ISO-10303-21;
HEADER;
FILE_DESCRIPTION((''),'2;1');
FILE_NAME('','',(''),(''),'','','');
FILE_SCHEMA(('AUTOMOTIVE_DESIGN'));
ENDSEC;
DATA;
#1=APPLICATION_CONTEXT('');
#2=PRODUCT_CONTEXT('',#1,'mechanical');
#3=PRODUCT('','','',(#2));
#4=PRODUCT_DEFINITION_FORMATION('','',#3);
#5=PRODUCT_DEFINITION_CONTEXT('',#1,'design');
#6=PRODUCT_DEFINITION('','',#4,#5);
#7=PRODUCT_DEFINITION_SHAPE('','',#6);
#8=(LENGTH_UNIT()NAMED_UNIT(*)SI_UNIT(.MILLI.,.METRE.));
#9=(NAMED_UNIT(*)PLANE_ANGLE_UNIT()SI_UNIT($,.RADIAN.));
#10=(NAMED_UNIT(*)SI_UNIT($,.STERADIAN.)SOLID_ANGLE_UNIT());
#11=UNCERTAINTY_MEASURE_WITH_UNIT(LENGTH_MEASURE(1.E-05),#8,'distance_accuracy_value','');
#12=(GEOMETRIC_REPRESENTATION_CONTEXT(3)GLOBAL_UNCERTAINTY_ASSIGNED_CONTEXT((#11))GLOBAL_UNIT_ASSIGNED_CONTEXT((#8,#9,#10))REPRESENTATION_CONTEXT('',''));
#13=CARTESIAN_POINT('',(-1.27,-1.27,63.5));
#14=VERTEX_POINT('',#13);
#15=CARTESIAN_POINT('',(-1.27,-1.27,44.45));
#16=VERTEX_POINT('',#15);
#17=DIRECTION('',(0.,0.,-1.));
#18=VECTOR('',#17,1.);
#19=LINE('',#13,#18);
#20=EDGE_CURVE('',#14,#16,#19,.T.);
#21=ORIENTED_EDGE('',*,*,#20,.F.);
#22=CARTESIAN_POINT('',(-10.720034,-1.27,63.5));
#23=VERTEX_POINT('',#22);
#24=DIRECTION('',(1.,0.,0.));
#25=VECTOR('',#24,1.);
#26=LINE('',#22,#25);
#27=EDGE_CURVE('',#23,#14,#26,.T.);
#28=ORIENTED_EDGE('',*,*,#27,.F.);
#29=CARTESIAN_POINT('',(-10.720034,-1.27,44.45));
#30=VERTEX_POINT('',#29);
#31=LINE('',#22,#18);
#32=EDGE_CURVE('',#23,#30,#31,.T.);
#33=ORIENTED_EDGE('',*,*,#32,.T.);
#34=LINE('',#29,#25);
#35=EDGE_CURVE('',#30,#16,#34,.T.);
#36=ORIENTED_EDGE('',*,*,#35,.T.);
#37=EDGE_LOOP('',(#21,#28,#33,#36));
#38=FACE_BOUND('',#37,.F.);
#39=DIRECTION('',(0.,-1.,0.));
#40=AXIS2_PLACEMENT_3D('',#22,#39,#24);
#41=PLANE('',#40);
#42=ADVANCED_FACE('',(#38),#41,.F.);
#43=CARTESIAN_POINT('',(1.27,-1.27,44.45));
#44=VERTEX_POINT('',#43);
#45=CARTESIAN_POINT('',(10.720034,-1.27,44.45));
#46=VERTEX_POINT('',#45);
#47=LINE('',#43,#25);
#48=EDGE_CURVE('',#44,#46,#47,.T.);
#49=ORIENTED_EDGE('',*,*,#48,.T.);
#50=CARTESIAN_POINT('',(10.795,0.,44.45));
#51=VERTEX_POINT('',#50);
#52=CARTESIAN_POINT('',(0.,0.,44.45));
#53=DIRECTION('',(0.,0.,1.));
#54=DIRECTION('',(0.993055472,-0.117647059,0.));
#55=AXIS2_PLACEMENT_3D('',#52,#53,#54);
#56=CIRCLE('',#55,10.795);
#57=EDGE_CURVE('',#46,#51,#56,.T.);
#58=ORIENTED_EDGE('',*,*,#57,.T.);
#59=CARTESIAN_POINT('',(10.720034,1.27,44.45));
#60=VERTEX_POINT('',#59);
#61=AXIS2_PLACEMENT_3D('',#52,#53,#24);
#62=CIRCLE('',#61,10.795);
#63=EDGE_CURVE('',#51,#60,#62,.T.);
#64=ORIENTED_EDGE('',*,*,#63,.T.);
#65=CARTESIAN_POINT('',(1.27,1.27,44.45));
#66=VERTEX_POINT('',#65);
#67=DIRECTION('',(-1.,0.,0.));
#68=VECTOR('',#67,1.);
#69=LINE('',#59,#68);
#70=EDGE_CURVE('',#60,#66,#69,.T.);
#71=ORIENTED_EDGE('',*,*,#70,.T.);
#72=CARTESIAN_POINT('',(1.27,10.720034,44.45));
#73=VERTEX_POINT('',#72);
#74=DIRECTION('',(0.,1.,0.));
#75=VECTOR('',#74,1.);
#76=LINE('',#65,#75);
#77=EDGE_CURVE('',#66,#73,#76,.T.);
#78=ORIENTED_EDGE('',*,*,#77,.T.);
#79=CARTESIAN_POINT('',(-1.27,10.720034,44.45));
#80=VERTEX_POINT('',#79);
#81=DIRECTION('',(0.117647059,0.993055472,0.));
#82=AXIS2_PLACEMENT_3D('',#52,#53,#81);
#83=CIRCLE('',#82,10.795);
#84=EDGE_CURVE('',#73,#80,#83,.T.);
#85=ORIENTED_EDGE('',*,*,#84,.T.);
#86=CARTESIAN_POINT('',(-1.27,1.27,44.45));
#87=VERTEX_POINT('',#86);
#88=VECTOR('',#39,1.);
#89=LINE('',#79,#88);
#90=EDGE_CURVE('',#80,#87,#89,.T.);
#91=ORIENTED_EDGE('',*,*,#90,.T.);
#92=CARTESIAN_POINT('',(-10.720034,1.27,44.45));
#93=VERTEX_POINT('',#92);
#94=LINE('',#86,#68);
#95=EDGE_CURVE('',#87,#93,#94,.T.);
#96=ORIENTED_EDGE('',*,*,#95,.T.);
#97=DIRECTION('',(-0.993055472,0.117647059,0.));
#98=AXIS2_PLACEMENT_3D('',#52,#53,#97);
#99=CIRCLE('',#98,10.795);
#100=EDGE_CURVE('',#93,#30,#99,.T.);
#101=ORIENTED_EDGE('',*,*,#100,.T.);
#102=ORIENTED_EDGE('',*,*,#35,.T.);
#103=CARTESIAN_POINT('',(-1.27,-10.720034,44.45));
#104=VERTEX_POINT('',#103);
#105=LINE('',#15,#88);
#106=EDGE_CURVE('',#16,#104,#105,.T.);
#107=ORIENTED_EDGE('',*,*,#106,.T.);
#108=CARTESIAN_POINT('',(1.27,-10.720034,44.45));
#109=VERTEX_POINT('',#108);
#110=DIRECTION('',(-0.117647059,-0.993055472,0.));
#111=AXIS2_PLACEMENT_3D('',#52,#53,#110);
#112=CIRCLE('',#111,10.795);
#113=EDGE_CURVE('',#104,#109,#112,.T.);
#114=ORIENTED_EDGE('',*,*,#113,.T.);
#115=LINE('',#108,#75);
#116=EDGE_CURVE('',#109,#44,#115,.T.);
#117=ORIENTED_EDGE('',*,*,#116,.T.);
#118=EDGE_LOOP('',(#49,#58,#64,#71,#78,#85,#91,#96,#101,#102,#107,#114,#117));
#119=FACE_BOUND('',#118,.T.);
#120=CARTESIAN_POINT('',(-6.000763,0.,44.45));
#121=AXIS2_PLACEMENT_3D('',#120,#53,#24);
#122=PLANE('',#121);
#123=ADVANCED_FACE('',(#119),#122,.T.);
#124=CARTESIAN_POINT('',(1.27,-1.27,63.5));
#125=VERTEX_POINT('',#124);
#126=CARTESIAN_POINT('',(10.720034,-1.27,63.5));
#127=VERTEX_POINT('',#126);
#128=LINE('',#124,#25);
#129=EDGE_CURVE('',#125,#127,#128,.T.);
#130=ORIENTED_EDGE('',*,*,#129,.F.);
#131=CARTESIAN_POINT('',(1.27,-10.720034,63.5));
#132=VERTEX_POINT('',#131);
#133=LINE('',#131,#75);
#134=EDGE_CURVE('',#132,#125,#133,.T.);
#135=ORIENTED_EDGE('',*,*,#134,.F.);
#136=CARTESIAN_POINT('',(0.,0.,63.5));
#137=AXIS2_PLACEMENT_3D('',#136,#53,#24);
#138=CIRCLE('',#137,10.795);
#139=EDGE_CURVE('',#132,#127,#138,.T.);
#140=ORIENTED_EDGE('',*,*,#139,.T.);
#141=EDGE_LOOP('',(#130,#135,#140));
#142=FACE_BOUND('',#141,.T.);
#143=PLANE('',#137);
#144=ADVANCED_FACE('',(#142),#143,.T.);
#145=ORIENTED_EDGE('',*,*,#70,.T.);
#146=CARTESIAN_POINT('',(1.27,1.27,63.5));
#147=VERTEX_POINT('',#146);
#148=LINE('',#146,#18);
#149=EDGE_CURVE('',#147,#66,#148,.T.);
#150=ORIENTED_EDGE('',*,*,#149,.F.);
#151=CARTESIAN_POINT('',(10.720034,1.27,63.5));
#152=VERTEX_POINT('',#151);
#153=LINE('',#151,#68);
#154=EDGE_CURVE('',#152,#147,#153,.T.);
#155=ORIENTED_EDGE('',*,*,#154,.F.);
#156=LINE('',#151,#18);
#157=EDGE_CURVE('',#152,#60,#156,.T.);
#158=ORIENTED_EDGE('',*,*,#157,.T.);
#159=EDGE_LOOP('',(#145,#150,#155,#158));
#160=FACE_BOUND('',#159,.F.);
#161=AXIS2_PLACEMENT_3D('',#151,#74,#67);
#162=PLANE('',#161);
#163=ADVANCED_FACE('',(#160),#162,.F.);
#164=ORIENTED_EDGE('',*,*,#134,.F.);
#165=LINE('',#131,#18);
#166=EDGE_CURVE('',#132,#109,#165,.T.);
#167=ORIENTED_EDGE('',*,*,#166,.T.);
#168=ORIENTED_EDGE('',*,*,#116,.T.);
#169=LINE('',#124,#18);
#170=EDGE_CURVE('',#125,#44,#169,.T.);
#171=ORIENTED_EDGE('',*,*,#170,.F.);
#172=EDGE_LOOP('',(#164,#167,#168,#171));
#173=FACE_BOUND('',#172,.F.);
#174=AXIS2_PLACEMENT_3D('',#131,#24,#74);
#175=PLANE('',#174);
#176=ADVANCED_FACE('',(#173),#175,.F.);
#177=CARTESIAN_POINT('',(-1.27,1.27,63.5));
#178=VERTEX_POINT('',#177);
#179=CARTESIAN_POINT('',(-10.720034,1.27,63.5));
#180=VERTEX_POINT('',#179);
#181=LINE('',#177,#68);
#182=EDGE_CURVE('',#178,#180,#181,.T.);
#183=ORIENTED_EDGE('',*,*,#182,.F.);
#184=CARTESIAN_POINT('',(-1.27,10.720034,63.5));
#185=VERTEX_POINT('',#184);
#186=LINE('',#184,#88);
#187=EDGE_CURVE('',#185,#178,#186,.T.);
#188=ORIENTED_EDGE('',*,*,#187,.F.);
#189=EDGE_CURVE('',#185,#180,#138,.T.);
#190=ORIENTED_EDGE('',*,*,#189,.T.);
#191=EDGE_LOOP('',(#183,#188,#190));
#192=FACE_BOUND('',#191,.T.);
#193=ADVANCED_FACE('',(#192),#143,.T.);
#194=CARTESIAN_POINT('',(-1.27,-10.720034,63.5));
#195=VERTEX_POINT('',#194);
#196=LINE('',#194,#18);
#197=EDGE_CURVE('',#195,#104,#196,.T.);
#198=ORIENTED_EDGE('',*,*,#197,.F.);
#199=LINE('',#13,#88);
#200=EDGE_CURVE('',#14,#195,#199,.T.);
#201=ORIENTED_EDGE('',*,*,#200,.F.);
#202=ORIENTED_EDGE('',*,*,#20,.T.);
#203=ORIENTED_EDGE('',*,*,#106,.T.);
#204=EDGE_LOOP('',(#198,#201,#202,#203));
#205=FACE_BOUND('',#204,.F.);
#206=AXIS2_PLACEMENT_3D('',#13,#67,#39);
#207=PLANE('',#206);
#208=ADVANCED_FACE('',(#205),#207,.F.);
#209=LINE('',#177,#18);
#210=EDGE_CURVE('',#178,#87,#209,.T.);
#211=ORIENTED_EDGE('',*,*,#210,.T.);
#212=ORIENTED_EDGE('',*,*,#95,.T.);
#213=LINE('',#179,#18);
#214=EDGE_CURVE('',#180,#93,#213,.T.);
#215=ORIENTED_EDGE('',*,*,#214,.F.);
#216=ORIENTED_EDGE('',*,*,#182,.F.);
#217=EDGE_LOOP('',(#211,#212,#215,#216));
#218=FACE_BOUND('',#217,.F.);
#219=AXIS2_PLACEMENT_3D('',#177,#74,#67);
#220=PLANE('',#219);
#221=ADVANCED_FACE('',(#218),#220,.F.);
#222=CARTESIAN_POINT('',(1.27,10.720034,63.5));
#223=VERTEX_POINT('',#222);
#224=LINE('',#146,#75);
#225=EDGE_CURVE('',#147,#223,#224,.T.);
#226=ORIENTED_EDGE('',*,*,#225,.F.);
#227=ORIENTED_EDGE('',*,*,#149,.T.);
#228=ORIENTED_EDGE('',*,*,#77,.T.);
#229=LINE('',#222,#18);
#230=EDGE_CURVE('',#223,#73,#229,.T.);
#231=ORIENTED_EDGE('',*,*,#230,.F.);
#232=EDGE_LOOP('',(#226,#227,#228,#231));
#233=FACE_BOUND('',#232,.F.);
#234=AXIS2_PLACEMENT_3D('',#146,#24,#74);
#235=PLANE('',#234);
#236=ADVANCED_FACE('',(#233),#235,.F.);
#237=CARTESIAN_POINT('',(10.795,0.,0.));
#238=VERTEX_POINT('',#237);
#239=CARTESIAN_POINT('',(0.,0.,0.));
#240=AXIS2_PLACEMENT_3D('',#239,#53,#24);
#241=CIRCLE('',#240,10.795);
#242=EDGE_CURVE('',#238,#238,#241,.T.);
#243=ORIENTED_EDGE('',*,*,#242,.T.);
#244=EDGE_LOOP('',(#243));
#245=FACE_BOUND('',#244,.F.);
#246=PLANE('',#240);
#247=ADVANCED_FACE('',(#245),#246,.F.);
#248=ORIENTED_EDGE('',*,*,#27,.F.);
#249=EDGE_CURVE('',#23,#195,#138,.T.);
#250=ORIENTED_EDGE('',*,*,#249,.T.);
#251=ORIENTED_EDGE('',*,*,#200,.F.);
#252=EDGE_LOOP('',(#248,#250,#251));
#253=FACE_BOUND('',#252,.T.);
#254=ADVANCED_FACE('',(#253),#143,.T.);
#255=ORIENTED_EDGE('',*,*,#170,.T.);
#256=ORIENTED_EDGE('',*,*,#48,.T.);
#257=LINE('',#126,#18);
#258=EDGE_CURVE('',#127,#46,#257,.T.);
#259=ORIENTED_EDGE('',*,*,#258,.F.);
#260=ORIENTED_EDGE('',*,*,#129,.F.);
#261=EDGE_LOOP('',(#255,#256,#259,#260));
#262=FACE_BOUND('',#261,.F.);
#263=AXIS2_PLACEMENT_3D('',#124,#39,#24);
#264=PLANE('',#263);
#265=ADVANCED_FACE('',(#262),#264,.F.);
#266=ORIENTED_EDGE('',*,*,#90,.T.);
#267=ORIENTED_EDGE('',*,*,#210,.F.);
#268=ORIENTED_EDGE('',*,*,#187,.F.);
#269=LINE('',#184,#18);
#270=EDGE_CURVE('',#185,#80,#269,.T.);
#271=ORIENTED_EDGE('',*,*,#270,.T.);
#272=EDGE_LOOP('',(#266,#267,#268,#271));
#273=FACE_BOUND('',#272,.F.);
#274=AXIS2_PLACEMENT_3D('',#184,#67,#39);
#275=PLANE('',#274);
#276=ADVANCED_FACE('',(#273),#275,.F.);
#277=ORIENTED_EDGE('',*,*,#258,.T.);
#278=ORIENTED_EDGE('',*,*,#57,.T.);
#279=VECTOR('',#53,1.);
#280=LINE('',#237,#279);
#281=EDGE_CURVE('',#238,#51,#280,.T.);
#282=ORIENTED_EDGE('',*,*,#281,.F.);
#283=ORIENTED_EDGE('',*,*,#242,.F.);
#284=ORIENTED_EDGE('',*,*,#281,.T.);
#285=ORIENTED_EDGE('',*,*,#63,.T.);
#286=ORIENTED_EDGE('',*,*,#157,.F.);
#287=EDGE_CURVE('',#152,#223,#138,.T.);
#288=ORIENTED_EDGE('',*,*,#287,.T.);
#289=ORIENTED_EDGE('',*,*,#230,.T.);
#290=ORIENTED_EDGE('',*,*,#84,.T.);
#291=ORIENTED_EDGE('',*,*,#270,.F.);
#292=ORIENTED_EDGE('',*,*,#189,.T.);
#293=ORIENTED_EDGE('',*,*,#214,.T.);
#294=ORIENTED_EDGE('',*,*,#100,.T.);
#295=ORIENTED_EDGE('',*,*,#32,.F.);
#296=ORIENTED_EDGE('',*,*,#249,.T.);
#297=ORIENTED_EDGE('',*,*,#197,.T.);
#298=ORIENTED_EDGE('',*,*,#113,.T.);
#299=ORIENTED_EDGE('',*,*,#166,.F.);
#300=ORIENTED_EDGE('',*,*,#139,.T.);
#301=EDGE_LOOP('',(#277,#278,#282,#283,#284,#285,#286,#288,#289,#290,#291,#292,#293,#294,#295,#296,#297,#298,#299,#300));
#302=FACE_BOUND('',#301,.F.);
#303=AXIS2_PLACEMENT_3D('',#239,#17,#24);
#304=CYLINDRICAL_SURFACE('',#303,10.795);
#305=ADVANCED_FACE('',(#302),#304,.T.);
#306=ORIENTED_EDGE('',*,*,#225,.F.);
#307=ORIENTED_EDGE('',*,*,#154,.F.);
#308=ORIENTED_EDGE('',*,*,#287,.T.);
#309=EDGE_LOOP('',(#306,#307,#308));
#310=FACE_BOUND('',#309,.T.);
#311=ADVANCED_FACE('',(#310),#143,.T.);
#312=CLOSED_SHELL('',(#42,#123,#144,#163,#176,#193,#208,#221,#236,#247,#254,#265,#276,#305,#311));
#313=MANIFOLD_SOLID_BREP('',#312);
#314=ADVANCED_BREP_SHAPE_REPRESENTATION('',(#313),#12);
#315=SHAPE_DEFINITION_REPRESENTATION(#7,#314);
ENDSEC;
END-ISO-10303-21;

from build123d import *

# Parameters (mm, degrees)
F0_R     = 10.795
F1_DEPTH = 63.5
F2_W     = 2.54
F2_H     = 2.54
F3_DEPTH = 19.05


with BuildPart() as f1:
    # F0 (on Top) → F1 (new body)
    with BuildSketch(Plane.XY):
        Circle(F0_R)
    extrude(amount=F1_DEPTH)

    # F2 (on face) → F3 (cut)
    with BuildSketch(Plane.XY.offset(63.5)):
        with BuildLine():
            Line((-1.27, -1.27), (-1.27, 1.27))
            Line((-1.27, 1.27), (-10.7200338152, 1.27))
            ThreePointArc((-10.7200338152, 1.27), (-10.795, 0), (-10.7200338152, -1.27))
            Line((-10.7200338152, -1.27), (-1.27, -1.27))
        make_face()
        with BuildLine():
            Line((1.27, -1.27), (-1.27, -1.27))
            Line((-1.27, -1.27), (-1.27, -10.7200338152))
            ThreePointArc((-1.27, -10.7200338152), (0, -10.795), (1.27, -10.7200338152))
            Line((1.27, -10.7200338152), (1.27, -1.27))
        make_face()
        with BuildLine():
            ThreePointArc((1.27, 10.7200338152), (0, 10.795), (-1.27, 10.7200338152))
            Line((-1.27, 10.7200338152), (-1.27, 1.27))
            Line((-1.27, 1.27), (1.27, 1.27))
            Line((1.27, 1.27), (1.27, 10.7200338152))
        make_face()
        with BuildLine():
            Line((10.7200338152, 1.27), (1.27, 1.27))
            Line((1.27, 1.27), (1.27, -1.27))
            Line((1.27, -1.27), (10.7200338152, -1.27))
            ThreePointArc((10.7200338152, -1.27), (10.7762421566, -0.6361053232), (10.795, 0))
            ThreePointArc((10.795, 0), (10.7762421566, 0.6361053232), (10.7200338152, 1.27))
        make_face()
        Rectangle(F2_W, F2_H)
    extrude(amount=-F3_DEPTH, mode=Mode.SUBTRACT)


solid = f1.part
